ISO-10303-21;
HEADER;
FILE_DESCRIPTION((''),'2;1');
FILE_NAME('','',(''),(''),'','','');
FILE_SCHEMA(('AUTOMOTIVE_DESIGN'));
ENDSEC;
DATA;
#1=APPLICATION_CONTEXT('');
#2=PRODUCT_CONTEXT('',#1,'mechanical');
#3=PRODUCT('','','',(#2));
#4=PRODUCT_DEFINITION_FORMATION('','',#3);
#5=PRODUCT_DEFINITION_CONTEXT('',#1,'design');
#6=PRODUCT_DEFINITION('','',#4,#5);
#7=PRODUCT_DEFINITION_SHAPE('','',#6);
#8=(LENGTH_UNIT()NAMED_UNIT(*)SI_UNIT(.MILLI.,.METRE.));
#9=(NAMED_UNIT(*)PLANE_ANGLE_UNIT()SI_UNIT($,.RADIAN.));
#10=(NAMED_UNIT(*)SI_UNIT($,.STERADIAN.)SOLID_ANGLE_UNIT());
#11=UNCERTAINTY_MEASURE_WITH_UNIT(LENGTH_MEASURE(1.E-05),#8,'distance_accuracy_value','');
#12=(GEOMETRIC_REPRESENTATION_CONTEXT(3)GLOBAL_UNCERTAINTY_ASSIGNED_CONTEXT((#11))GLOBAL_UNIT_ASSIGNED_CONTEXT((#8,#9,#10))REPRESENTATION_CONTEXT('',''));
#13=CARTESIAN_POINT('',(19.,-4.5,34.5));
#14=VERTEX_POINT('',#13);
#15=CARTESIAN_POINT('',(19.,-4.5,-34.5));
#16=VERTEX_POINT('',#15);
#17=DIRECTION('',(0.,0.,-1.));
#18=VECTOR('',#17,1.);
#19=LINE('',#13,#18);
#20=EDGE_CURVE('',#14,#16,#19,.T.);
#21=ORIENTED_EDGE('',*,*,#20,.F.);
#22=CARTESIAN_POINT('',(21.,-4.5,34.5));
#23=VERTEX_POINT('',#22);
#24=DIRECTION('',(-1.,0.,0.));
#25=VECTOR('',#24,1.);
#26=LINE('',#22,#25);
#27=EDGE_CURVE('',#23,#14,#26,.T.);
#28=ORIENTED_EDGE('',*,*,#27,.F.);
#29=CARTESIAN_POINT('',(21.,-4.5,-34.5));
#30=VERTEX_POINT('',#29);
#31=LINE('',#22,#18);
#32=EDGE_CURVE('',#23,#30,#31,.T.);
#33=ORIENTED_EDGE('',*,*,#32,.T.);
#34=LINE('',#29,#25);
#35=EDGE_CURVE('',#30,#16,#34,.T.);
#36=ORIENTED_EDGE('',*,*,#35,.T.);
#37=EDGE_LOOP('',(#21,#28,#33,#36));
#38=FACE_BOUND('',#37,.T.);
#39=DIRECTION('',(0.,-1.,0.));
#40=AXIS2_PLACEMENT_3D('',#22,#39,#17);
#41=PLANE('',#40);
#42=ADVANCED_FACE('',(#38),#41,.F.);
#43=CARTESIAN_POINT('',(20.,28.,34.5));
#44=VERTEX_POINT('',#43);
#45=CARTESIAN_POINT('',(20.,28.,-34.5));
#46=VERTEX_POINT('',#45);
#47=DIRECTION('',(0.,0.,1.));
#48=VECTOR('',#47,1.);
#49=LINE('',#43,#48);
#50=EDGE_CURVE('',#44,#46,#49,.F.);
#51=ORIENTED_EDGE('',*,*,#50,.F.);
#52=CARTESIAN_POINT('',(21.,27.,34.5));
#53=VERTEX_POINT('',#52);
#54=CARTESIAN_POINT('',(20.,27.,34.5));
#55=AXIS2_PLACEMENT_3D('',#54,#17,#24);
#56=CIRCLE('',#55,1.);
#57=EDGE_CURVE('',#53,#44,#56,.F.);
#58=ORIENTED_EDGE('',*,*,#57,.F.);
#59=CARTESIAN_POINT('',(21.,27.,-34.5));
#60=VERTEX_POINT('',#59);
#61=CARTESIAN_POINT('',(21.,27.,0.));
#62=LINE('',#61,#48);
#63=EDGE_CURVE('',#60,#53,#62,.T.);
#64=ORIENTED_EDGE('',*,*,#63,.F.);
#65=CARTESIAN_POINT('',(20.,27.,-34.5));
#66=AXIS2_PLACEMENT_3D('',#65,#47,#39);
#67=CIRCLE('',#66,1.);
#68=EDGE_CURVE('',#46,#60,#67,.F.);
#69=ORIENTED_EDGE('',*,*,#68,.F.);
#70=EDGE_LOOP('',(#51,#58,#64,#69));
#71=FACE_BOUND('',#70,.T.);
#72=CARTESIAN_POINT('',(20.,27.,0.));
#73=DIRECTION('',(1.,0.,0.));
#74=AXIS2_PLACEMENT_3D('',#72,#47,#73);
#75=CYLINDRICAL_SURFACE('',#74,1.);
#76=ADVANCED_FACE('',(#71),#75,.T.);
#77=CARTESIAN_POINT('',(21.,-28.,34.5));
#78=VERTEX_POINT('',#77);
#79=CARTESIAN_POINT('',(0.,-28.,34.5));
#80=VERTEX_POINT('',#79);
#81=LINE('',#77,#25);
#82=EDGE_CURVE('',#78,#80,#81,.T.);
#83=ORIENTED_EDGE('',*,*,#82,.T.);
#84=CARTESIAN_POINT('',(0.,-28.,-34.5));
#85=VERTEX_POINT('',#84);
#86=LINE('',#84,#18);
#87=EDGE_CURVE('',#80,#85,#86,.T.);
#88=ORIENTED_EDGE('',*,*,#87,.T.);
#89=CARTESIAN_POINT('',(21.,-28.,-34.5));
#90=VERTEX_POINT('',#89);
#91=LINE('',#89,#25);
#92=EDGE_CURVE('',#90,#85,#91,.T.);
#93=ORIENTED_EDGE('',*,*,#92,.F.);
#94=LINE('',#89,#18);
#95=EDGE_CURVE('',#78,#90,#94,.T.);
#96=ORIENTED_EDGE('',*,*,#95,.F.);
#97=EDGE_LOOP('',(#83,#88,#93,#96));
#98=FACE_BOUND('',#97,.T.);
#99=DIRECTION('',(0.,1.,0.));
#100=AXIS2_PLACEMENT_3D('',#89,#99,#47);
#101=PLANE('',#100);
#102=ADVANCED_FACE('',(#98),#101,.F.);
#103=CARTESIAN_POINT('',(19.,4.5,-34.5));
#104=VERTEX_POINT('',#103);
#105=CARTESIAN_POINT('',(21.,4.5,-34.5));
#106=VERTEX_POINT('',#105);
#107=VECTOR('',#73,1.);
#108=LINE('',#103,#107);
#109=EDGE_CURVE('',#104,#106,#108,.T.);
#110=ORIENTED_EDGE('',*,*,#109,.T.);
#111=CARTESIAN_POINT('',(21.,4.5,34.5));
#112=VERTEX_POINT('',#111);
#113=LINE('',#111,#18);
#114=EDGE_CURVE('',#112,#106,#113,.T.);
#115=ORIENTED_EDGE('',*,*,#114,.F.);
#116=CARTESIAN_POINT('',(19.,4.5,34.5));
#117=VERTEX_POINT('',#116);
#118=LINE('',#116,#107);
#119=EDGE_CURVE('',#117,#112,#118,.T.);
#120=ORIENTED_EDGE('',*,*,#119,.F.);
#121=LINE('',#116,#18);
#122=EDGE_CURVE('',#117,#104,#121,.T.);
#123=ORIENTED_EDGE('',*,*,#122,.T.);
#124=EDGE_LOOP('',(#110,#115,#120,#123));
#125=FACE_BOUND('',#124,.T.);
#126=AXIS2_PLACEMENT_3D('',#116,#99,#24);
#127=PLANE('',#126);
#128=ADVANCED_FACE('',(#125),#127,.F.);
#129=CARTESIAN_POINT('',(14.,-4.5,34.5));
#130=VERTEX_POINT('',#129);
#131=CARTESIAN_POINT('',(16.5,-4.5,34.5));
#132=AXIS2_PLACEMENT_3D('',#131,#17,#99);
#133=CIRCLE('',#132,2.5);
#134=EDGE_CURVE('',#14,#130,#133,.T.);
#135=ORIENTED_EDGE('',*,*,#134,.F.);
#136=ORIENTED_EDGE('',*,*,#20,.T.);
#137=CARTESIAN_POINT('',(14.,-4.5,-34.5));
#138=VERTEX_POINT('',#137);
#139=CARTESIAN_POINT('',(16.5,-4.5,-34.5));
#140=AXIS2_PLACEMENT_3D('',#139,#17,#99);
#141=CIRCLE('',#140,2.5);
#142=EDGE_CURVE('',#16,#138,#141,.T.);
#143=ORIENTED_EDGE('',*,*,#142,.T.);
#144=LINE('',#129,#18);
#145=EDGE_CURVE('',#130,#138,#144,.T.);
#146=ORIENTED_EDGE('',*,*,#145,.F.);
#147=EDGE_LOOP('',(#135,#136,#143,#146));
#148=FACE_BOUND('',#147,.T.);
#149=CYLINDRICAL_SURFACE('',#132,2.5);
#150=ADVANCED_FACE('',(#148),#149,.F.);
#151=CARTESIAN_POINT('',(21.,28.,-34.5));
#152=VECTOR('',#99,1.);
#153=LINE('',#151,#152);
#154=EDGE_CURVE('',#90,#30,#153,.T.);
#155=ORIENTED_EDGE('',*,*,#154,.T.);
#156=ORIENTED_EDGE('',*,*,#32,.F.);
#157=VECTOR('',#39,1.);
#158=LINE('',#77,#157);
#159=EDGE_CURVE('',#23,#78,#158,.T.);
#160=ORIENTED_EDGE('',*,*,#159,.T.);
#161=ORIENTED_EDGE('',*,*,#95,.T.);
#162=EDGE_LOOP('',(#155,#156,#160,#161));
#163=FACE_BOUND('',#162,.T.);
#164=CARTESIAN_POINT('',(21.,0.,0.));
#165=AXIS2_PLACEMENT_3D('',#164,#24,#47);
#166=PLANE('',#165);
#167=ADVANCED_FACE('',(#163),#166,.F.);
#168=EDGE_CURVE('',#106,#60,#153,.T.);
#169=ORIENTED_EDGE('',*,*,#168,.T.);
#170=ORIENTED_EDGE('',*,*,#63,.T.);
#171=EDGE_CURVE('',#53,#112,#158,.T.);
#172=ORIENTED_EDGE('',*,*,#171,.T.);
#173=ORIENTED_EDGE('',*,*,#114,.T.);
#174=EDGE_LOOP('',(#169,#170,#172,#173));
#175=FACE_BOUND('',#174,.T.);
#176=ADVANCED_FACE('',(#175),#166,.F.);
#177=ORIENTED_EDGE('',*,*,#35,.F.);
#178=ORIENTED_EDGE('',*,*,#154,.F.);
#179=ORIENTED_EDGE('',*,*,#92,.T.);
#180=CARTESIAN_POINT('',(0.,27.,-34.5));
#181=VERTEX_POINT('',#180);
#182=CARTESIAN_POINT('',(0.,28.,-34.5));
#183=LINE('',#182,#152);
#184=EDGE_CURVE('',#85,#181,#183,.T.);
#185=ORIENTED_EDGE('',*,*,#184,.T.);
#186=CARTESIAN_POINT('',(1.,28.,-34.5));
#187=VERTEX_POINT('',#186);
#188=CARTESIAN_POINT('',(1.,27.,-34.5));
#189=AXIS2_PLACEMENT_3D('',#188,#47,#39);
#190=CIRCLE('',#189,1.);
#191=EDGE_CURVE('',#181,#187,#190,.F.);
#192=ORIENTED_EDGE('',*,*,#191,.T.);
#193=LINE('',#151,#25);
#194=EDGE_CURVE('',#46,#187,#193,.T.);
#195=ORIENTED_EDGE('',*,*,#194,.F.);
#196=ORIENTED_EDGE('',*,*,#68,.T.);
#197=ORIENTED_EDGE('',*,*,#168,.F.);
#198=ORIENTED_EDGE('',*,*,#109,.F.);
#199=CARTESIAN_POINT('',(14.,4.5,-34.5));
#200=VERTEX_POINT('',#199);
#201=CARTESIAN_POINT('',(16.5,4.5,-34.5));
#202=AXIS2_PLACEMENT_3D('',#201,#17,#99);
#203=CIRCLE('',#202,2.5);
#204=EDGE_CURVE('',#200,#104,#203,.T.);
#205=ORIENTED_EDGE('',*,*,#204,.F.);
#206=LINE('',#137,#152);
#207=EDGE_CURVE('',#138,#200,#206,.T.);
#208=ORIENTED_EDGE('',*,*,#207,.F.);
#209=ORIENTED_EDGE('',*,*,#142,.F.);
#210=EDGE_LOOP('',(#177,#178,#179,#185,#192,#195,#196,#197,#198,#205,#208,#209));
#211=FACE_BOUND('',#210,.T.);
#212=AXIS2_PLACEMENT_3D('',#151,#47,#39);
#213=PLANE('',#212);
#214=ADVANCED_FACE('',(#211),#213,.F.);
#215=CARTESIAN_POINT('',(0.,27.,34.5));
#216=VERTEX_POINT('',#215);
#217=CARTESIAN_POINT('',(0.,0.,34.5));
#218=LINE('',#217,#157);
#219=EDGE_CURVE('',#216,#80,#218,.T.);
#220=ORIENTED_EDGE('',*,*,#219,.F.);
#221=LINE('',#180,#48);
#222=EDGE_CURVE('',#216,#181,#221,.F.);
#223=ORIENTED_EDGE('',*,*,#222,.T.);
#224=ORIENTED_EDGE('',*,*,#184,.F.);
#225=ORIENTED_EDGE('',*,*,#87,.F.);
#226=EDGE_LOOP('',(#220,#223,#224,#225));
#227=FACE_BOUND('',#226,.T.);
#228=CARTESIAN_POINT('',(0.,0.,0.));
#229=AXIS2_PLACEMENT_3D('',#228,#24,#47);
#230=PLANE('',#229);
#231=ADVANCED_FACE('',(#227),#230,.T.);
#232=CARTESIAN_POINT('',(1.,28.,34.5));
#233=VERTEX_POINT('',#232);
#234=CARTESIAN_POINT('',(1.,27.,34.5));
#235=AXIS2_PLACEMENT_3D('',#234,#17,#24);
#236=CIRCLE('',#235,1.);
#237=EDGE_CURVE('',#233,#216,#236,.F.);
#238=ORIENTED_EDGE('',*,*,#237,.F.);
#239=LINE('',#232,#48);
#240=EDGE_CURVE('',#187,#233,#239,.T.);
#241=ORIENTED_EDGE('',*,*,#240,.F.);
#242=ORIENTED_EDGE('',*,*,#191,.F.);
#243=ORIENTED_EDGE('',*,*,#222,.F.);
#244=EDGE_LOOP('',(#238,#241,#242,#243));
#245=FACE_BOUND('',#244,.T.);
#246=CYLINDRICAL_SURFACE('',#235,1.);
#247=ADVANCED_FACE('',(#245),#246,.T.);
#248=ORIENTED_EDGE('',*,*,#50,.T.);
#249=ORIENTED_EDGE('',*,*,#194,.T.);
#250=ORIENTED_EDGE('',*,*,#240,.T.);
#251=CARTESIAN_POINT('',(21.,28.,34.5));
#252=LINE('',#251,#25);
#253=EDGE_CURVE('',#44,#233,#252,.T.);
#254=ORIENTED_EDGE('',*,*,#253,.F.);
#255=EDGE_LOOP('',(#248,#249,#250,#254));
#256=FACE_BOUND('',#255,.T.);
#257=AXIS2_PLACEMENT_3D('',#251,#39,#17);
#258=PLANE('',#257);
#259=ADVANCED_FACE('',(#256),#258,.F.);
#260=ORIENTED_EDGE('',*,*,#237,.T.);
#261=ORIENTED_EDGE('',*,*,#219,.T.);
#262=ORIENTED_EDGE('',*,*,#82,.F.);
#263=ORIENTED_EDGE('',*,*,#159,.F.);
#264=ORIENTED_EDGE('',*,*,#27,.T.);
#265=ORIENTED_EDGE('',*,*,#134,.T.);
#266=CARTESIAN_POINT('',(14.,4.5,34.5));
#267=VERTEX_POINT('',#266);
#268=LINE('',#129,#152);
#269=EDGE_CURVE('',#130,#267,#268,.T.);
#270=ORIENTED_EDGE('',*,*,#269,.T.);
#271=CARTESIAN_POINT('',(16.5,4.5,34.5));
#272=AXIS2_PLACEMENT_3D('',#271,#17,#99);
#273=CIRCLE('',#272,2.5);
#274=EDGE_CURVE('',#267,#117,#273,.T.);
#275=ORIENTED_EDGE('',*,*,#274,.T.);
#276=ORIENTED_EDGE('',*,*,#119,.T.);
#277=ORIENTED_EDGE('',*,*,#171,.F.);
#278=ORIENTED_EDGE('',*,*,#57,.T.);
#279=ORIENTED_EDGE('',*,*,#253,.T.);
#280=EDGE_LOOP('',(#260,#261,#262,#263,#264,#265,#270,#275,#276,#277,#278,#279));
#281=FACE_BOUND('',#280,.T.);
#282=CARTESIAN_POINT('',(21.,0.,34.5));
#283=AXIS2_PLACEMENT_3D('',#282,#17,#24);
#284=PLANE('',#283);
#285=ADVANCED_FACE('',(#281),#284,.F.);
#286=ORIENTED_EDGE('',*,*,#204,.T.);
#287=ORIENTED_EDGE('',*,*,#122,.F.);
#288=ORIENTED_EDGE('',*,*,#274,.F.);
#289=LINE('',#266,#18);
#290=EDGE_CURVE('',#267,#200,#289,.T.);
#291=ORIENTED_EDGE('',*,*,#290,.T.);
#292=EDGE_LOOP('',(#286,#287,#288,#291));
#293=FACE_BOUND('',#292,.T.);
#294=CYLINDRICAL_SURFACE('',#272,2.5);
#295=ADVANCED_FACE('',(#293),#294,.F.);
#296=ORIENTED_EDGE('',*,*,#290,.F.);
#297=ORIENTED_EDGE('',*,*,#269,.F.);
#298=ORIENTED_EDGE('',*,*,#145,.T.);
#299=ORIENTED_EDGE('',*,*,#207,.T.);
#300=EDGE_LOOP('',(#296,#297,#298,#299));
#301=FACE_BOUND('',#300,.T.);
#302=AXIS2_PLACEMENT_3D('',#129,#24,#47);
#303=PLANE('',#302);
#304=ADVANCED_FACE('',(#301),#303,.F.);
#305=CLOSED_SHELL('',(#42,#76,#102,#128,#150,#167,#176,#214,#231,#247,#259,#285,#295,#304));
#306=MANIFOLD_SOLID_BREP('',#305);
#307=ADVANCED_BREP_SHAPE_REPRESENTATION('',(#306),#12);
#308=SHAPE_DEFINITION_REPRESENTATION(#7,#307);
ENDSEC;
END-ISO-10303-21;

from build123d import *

# Parameters (mm, degrees)
BOSS_EXTRUDE1_DEPTH = 21
FILLET1_R           = 1
CUT_EXTRUDE1_DEPTH  = 78.369244536


with BuildPart() as part:
    # Sketch1 → Boss-Extrude1 (new body)
    with BuildSketch(Plane(origin=(0, 0, 0), x_dir=(0, 0, -1), z_dir=(1, 0, 0))):
        Polygon((-34.5, 0), (-34.5, 28), (34.5, 28), (34.5, -28), (-34.5, -28), align=None)
    extrude(amount=BOSS_EXTRUDE1_DEPTH)

    # Fillet1
    fillet1_edges = [part.edges().sort_by_distance(p)[0] for p in [
        (21, 28, 0),
        (0, 28, 0),
    ]]
    fillet(fillet1_edges, radius=FILLET1_R)

    # Sketch2 → Cut-Extrude1 (cut, through all)
    with BuildSketch(Plane(origin=(0, 0, -34.5), x_dir=(-1, 0, 0), z_dir=(0, 0, -1))):
        with BuildLine():
            Line((-21, -4.5), (-19, -4.5))
            ThreePointArc((-19, -4.5), (-16.5, -7), (-14, -4.5))
            Line((-14, -4.5), (-14, 4.5))
            ThreePointArc((-14, 4.5), (-16.5, 7), (-19, 4.5))
            Line((-19, 4.5), (-21, 4.5))
            Line((-21, 4.5), (-21, -4.5))
        make_face()
    extrude(amount=-CUT_EXTRUDE1_DEPTH, mode=Mode.SUBTRACT)


solid = part.part
